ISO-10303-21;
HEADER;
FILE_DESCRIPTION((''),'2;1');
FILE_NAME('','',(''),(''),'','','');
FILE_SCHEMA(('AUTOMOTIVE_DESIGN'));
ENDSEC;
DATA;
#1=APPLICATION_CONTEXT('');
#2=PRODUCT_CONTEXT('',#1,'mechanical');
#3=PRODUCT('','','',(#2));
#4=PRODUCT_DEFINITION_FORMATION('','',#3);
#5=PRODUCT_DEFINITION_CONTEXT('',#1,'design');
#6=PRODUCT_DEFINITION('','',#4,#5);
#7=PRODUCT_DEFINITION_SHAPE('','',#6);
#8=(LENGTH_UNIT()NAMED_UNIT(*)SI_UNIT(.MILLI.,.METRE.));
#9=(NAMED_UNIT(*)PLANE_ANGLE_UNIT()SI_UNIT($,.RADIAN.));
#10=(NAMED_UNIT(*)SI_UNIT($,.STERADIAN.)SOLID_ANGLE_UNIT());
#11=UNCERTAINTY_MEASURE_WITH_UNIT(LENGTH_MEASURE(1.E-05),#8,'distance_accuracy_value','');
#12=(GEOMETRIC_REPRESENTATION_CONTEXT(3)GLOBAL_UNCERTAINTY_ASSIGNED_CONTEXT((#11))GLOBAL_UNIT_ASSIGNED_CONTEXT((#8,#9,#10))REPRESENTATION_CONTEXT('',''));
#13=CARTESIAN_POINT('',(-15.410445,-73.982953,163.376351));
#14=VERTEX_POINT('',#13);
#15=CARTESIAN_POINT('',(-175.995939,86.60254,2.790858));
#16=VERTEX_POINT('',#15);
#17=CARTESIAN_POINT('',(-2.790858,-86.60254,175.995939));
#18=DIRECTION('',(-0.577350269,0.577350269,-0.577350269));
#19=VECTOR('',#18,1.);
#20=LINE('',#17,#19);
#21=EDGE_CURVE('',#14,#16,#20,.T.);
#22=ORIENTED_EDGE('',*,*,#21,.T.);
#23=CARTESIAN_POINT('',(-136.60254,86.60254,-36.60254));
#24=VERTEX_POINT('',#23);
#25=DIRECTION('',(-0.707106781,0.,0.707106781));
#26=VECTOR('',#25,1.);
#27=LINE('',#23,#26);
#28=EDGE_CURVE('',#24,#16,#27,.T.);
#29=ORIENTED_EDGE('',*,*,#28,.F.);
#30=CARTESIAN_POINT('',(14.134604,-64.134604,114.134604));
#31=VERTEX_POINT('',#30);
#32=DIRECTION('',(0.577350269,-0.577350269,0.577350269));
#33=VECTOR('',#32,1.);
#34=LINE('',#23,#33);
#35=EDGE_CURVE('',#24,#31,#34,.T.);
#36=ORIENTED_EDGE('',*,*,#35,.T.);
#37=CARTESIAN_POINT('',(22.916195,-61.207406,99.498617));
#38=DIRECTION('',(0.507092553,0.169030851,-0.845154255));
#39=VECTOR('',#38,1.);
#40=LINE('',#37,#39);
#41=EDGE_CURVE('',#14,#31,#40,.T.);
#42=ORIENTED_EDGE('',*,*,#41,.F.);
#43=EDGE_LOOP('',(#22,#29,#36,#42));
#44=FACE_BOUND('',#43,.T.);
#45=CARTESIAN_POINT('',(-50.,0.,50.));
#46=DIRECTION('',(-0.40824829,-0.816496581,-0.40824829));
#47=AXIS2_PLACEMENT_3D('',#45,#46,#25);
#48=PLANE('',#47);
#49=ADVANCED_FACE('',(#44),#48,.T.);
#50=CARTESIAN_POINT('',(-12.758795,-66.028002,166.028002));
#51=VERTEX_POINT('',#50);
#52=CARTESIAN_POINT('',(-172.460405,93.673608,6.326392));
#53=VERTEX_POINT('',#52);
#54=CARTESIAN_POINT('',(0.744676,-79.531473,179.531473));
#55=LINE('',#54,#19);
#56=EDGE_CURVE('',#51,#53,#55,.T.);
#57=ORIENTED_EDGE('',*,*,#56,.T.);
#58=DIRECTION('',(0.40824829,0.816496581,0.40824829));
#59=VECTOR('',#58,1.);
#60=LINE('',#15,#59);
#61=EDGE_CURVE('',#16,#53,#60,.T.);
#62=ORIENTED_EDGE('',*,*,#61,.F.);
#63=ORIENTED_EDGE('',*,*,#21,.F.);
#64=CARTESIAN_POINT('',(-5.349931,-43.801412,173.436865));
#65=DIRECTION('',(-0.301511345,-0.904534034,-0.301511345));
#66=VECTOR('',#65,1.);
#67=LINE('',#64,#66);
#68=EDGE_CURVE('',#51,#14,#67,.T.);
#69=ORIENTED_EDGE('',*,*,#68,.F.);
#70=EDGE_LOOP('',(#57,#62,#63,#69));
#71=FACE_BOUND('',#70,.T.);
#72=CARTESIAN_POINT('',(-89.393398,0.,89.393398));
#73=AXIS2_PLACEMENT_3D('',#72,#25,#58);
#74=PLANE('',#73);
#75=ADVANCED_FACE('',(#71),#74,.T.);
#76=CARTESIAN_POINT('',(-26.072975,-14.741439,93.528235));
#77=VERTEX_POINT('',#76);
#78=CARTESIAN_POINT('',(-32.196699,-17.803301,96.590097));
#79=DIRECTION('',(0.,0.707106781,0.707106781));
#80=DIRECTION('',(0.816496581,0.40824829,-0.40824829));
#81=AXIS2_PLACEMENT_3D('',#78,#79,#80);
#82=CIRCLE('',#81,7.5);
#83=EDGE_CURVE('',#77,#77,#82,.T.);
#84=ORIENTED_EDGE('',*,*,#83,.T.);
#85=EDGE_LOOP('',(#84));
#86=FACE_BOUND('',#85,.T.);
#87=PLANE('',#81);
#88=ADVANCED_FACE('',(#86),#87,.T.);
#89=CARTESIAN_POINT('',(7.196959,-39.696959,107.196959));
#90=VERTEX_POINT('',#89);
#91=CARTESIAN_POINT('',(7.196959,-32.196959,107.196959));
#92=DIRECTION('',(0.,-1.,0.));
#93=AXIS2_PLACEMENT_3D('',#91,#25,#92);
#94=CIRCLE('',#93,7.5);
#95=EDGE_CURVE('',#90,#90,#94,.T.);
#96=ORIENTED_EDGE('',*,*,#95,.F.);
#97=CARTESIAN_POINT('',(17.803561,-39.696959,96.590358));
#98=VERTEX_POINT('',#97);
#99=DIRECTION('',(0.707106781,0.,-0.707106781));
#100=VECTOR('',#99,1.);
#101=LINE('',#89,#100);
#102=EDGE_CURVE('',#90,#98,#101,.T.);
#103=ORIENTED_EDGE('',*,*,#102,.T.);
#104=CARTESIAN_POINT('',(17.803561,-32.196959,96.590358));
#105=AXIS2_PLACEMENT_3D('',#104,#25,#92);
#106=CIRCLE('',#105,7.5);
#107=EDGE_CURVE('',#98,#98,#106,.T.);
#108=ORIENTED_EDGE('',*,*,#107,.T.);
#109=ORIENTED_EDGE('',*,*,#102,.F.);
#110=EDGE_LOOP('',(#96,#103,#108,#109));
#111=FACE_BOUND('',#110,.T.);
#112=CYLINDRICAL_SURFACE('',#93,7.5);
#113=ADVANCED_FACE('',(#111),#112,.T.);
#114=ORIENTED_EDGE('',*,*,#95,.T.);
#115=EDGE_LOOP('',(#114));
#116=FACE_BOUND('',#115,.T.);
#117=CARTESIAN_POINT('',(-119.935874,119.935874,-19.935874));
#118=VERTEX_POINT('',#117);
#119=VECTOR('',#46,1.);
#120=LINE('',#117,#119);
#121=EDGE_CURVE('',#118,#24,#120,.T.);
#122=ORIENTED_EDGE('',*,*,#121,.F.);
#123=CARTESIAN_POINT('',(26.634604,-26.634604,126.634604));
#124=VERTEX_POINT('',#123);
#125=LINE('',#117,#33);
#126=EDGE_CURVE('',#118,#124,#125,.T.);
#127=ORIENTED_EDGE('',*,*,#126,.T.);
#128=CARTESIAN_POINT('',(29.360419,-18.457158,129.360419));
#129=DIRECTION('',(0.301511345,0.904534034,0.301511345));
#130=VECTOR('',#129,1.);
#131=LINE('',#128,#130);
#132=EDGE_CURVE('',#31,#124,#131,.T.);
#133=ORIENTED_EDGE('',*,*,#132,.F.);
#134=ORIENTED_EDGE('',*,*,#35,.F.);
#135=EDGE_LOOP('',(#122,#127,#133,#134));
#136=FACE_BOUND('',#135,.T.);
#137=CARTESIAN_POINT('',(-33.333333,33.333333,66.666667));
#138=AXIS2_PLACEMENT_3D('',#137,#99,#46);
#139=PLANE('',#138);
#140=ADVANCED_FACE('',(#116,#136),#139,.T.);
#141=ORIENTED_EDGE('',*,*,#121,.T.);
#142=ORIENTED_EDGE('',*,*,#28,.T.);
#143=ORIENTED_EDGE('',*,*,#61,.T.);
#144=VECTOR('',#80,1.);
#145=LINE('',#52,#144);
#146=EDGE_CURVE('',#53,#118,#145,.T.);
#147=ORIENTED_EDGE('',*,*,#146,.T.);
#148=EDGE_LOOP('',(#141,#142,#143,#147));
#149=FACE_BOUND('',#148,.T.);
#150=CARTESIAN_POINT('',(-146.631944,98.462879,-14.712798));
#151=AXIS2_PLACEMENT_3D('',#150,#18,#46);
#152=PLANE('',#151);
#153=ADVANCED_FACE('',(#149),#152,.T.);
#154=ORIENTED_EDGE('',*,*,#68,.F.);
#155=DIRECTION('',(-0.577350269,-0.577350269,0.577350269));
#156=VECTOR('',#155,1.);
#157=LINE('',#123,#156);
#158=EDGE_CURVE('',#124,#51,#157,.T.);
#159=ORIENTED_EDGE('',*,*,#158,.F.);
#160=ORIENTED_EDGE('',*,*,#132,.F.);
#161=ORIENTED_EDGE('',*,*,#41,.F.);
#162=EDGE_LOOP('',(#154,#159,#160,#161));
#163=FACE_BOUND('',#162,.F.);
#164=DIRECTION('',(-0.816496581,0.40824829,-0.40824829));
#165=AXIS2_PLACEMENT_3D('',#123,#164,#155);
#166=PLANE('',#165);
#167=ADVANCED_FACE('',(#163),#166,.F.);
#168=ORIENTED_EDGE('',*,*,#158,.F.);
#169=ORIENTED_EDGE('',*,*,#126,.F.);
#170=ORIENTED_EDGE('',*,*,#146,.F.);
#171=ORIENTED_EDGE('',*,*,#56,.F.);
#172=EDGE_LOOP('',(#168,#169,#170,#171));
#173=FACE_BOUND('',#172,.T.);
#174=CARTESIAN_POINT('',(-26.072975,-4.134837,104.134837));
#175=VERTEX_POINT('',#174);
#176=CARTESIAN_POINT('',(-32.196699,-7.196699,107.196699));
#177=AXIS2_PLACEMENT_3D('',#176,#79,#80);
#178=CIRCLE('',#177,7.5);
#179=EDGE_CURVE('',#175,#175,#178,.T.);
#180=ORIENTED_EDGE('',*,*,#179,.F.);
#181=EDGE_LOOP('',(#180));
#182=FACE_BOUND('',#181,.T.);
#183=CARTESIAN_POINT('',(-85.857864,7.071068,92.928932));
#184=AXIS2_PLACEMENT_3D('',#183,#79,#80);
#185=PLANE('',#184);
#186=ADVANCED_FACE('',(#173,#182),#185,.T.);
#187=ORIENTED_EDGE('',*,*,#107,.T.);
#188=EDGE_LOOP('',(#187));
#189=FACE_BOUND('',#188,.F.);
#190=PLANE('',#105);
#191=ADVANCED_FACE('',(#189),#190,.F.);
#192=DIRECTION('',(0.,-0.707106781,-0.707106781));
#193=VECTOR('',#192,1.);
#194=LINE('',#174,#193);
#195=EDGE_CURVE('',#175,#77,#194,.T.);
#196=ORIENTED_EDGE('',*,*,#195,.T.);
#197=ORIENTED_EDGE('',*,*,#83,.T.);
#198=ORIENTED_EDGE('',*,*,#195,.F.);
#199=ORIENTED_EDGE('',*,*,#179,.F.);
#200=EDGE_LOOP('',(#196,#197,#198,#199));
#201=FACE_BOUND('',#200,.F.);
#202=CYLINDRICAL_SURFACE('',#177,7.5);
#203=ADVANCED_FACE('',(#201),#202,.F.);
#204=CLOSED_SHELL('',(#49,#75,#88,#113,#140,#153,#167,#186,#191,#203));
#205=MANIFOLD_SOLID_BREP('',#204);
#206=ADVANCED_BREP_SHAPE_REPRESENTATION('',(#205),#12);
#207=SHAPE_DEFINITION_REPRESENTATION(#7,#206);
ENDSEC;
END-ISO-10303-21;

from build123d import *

# Parameters (mm, degrees)
PAD001_DEPTH            = 150
SKETCH001_R             = 7.5
PAD_DEPTH               = 15
SKETCH003_R             = 7.5
POCKET003_DEPTH         = 15
POCKET004_DEPTH         = 50
BODY005_PLACEMENT_ANGLE = 270


with BuildPart() as part:
    # Sketch002 (on DatumPlane) → Pad001 (new body, symmetric)
    with BuildSketch(Plane(origin=(0, -50, 50), x_dir=(0.8164965809, -0.4082482905, -0.4082482905), z_dir=(-0.5773502692, -0.5773502692, -0.5773502692))):
        Polygon((0, 0), (0, 55.7106781187), (-8.6602540378, 55.7106781187), (-40.8248290464, 0), align=None)
    extrude(amount=PAD001_DEPTH, both=True)

    # Sketch001 (on Face7 of Binder001) → Pad (join)
    with BuildSketch(Plane(origin=(0, -50, 50), x_dir=(1, 0, 0), z_dir=(0, -0.7071067812, 0.7071067812))):
        with Locations((32.1969593942, 80.8887157017)):
            Circle(SKETCH001_R)
    extrude(amount=-PAD_DEPTH)

    # Sketch003 (on Face6 of Pad) → Pocket003 (cut)
    with BuildSketch(Plane(origin=(-25, -50, 75), x_dir=(-0.4082482905, 0.8164965809, -0.4082482905), z_dir=(-0.7071067812, 0, 0.7071067812))):
        with Locations((-11.7521604853, -47.4562863756)):
            Circle(SKETCH003_R)
    extrude(amount=-POCKET003_DEPTH, mode=Mode.SUBTRACT)

    # Sketch005 (on Face6 of Pocket003) → Pocket004 (cut)
    with BuildSketch(Plane(origin=(-25, -50, 75), x_dir=(-0.4082482905, 0.8164965809, -0.4082482905), z_dir=(-0.7071067812, 0, 0.7071067812))):
        Polygon((20.4124145232, -103.8675134595), (-48.2468625128, -128.1422336512), (-48.2468625128, -150), (20.4124145232, -150), align=None)
    extrude(amount=-POCKET004_DEPTH, mode=Mode.SUBTRACT)


with BuildPart() as part_1:
    # Body005 placement: moved
    add(part.part.rotate(Axis((0, 0, 0), (0, 0, 1)), BODY005_PLACEMENT_ANGLE))


solid = part_1.part
